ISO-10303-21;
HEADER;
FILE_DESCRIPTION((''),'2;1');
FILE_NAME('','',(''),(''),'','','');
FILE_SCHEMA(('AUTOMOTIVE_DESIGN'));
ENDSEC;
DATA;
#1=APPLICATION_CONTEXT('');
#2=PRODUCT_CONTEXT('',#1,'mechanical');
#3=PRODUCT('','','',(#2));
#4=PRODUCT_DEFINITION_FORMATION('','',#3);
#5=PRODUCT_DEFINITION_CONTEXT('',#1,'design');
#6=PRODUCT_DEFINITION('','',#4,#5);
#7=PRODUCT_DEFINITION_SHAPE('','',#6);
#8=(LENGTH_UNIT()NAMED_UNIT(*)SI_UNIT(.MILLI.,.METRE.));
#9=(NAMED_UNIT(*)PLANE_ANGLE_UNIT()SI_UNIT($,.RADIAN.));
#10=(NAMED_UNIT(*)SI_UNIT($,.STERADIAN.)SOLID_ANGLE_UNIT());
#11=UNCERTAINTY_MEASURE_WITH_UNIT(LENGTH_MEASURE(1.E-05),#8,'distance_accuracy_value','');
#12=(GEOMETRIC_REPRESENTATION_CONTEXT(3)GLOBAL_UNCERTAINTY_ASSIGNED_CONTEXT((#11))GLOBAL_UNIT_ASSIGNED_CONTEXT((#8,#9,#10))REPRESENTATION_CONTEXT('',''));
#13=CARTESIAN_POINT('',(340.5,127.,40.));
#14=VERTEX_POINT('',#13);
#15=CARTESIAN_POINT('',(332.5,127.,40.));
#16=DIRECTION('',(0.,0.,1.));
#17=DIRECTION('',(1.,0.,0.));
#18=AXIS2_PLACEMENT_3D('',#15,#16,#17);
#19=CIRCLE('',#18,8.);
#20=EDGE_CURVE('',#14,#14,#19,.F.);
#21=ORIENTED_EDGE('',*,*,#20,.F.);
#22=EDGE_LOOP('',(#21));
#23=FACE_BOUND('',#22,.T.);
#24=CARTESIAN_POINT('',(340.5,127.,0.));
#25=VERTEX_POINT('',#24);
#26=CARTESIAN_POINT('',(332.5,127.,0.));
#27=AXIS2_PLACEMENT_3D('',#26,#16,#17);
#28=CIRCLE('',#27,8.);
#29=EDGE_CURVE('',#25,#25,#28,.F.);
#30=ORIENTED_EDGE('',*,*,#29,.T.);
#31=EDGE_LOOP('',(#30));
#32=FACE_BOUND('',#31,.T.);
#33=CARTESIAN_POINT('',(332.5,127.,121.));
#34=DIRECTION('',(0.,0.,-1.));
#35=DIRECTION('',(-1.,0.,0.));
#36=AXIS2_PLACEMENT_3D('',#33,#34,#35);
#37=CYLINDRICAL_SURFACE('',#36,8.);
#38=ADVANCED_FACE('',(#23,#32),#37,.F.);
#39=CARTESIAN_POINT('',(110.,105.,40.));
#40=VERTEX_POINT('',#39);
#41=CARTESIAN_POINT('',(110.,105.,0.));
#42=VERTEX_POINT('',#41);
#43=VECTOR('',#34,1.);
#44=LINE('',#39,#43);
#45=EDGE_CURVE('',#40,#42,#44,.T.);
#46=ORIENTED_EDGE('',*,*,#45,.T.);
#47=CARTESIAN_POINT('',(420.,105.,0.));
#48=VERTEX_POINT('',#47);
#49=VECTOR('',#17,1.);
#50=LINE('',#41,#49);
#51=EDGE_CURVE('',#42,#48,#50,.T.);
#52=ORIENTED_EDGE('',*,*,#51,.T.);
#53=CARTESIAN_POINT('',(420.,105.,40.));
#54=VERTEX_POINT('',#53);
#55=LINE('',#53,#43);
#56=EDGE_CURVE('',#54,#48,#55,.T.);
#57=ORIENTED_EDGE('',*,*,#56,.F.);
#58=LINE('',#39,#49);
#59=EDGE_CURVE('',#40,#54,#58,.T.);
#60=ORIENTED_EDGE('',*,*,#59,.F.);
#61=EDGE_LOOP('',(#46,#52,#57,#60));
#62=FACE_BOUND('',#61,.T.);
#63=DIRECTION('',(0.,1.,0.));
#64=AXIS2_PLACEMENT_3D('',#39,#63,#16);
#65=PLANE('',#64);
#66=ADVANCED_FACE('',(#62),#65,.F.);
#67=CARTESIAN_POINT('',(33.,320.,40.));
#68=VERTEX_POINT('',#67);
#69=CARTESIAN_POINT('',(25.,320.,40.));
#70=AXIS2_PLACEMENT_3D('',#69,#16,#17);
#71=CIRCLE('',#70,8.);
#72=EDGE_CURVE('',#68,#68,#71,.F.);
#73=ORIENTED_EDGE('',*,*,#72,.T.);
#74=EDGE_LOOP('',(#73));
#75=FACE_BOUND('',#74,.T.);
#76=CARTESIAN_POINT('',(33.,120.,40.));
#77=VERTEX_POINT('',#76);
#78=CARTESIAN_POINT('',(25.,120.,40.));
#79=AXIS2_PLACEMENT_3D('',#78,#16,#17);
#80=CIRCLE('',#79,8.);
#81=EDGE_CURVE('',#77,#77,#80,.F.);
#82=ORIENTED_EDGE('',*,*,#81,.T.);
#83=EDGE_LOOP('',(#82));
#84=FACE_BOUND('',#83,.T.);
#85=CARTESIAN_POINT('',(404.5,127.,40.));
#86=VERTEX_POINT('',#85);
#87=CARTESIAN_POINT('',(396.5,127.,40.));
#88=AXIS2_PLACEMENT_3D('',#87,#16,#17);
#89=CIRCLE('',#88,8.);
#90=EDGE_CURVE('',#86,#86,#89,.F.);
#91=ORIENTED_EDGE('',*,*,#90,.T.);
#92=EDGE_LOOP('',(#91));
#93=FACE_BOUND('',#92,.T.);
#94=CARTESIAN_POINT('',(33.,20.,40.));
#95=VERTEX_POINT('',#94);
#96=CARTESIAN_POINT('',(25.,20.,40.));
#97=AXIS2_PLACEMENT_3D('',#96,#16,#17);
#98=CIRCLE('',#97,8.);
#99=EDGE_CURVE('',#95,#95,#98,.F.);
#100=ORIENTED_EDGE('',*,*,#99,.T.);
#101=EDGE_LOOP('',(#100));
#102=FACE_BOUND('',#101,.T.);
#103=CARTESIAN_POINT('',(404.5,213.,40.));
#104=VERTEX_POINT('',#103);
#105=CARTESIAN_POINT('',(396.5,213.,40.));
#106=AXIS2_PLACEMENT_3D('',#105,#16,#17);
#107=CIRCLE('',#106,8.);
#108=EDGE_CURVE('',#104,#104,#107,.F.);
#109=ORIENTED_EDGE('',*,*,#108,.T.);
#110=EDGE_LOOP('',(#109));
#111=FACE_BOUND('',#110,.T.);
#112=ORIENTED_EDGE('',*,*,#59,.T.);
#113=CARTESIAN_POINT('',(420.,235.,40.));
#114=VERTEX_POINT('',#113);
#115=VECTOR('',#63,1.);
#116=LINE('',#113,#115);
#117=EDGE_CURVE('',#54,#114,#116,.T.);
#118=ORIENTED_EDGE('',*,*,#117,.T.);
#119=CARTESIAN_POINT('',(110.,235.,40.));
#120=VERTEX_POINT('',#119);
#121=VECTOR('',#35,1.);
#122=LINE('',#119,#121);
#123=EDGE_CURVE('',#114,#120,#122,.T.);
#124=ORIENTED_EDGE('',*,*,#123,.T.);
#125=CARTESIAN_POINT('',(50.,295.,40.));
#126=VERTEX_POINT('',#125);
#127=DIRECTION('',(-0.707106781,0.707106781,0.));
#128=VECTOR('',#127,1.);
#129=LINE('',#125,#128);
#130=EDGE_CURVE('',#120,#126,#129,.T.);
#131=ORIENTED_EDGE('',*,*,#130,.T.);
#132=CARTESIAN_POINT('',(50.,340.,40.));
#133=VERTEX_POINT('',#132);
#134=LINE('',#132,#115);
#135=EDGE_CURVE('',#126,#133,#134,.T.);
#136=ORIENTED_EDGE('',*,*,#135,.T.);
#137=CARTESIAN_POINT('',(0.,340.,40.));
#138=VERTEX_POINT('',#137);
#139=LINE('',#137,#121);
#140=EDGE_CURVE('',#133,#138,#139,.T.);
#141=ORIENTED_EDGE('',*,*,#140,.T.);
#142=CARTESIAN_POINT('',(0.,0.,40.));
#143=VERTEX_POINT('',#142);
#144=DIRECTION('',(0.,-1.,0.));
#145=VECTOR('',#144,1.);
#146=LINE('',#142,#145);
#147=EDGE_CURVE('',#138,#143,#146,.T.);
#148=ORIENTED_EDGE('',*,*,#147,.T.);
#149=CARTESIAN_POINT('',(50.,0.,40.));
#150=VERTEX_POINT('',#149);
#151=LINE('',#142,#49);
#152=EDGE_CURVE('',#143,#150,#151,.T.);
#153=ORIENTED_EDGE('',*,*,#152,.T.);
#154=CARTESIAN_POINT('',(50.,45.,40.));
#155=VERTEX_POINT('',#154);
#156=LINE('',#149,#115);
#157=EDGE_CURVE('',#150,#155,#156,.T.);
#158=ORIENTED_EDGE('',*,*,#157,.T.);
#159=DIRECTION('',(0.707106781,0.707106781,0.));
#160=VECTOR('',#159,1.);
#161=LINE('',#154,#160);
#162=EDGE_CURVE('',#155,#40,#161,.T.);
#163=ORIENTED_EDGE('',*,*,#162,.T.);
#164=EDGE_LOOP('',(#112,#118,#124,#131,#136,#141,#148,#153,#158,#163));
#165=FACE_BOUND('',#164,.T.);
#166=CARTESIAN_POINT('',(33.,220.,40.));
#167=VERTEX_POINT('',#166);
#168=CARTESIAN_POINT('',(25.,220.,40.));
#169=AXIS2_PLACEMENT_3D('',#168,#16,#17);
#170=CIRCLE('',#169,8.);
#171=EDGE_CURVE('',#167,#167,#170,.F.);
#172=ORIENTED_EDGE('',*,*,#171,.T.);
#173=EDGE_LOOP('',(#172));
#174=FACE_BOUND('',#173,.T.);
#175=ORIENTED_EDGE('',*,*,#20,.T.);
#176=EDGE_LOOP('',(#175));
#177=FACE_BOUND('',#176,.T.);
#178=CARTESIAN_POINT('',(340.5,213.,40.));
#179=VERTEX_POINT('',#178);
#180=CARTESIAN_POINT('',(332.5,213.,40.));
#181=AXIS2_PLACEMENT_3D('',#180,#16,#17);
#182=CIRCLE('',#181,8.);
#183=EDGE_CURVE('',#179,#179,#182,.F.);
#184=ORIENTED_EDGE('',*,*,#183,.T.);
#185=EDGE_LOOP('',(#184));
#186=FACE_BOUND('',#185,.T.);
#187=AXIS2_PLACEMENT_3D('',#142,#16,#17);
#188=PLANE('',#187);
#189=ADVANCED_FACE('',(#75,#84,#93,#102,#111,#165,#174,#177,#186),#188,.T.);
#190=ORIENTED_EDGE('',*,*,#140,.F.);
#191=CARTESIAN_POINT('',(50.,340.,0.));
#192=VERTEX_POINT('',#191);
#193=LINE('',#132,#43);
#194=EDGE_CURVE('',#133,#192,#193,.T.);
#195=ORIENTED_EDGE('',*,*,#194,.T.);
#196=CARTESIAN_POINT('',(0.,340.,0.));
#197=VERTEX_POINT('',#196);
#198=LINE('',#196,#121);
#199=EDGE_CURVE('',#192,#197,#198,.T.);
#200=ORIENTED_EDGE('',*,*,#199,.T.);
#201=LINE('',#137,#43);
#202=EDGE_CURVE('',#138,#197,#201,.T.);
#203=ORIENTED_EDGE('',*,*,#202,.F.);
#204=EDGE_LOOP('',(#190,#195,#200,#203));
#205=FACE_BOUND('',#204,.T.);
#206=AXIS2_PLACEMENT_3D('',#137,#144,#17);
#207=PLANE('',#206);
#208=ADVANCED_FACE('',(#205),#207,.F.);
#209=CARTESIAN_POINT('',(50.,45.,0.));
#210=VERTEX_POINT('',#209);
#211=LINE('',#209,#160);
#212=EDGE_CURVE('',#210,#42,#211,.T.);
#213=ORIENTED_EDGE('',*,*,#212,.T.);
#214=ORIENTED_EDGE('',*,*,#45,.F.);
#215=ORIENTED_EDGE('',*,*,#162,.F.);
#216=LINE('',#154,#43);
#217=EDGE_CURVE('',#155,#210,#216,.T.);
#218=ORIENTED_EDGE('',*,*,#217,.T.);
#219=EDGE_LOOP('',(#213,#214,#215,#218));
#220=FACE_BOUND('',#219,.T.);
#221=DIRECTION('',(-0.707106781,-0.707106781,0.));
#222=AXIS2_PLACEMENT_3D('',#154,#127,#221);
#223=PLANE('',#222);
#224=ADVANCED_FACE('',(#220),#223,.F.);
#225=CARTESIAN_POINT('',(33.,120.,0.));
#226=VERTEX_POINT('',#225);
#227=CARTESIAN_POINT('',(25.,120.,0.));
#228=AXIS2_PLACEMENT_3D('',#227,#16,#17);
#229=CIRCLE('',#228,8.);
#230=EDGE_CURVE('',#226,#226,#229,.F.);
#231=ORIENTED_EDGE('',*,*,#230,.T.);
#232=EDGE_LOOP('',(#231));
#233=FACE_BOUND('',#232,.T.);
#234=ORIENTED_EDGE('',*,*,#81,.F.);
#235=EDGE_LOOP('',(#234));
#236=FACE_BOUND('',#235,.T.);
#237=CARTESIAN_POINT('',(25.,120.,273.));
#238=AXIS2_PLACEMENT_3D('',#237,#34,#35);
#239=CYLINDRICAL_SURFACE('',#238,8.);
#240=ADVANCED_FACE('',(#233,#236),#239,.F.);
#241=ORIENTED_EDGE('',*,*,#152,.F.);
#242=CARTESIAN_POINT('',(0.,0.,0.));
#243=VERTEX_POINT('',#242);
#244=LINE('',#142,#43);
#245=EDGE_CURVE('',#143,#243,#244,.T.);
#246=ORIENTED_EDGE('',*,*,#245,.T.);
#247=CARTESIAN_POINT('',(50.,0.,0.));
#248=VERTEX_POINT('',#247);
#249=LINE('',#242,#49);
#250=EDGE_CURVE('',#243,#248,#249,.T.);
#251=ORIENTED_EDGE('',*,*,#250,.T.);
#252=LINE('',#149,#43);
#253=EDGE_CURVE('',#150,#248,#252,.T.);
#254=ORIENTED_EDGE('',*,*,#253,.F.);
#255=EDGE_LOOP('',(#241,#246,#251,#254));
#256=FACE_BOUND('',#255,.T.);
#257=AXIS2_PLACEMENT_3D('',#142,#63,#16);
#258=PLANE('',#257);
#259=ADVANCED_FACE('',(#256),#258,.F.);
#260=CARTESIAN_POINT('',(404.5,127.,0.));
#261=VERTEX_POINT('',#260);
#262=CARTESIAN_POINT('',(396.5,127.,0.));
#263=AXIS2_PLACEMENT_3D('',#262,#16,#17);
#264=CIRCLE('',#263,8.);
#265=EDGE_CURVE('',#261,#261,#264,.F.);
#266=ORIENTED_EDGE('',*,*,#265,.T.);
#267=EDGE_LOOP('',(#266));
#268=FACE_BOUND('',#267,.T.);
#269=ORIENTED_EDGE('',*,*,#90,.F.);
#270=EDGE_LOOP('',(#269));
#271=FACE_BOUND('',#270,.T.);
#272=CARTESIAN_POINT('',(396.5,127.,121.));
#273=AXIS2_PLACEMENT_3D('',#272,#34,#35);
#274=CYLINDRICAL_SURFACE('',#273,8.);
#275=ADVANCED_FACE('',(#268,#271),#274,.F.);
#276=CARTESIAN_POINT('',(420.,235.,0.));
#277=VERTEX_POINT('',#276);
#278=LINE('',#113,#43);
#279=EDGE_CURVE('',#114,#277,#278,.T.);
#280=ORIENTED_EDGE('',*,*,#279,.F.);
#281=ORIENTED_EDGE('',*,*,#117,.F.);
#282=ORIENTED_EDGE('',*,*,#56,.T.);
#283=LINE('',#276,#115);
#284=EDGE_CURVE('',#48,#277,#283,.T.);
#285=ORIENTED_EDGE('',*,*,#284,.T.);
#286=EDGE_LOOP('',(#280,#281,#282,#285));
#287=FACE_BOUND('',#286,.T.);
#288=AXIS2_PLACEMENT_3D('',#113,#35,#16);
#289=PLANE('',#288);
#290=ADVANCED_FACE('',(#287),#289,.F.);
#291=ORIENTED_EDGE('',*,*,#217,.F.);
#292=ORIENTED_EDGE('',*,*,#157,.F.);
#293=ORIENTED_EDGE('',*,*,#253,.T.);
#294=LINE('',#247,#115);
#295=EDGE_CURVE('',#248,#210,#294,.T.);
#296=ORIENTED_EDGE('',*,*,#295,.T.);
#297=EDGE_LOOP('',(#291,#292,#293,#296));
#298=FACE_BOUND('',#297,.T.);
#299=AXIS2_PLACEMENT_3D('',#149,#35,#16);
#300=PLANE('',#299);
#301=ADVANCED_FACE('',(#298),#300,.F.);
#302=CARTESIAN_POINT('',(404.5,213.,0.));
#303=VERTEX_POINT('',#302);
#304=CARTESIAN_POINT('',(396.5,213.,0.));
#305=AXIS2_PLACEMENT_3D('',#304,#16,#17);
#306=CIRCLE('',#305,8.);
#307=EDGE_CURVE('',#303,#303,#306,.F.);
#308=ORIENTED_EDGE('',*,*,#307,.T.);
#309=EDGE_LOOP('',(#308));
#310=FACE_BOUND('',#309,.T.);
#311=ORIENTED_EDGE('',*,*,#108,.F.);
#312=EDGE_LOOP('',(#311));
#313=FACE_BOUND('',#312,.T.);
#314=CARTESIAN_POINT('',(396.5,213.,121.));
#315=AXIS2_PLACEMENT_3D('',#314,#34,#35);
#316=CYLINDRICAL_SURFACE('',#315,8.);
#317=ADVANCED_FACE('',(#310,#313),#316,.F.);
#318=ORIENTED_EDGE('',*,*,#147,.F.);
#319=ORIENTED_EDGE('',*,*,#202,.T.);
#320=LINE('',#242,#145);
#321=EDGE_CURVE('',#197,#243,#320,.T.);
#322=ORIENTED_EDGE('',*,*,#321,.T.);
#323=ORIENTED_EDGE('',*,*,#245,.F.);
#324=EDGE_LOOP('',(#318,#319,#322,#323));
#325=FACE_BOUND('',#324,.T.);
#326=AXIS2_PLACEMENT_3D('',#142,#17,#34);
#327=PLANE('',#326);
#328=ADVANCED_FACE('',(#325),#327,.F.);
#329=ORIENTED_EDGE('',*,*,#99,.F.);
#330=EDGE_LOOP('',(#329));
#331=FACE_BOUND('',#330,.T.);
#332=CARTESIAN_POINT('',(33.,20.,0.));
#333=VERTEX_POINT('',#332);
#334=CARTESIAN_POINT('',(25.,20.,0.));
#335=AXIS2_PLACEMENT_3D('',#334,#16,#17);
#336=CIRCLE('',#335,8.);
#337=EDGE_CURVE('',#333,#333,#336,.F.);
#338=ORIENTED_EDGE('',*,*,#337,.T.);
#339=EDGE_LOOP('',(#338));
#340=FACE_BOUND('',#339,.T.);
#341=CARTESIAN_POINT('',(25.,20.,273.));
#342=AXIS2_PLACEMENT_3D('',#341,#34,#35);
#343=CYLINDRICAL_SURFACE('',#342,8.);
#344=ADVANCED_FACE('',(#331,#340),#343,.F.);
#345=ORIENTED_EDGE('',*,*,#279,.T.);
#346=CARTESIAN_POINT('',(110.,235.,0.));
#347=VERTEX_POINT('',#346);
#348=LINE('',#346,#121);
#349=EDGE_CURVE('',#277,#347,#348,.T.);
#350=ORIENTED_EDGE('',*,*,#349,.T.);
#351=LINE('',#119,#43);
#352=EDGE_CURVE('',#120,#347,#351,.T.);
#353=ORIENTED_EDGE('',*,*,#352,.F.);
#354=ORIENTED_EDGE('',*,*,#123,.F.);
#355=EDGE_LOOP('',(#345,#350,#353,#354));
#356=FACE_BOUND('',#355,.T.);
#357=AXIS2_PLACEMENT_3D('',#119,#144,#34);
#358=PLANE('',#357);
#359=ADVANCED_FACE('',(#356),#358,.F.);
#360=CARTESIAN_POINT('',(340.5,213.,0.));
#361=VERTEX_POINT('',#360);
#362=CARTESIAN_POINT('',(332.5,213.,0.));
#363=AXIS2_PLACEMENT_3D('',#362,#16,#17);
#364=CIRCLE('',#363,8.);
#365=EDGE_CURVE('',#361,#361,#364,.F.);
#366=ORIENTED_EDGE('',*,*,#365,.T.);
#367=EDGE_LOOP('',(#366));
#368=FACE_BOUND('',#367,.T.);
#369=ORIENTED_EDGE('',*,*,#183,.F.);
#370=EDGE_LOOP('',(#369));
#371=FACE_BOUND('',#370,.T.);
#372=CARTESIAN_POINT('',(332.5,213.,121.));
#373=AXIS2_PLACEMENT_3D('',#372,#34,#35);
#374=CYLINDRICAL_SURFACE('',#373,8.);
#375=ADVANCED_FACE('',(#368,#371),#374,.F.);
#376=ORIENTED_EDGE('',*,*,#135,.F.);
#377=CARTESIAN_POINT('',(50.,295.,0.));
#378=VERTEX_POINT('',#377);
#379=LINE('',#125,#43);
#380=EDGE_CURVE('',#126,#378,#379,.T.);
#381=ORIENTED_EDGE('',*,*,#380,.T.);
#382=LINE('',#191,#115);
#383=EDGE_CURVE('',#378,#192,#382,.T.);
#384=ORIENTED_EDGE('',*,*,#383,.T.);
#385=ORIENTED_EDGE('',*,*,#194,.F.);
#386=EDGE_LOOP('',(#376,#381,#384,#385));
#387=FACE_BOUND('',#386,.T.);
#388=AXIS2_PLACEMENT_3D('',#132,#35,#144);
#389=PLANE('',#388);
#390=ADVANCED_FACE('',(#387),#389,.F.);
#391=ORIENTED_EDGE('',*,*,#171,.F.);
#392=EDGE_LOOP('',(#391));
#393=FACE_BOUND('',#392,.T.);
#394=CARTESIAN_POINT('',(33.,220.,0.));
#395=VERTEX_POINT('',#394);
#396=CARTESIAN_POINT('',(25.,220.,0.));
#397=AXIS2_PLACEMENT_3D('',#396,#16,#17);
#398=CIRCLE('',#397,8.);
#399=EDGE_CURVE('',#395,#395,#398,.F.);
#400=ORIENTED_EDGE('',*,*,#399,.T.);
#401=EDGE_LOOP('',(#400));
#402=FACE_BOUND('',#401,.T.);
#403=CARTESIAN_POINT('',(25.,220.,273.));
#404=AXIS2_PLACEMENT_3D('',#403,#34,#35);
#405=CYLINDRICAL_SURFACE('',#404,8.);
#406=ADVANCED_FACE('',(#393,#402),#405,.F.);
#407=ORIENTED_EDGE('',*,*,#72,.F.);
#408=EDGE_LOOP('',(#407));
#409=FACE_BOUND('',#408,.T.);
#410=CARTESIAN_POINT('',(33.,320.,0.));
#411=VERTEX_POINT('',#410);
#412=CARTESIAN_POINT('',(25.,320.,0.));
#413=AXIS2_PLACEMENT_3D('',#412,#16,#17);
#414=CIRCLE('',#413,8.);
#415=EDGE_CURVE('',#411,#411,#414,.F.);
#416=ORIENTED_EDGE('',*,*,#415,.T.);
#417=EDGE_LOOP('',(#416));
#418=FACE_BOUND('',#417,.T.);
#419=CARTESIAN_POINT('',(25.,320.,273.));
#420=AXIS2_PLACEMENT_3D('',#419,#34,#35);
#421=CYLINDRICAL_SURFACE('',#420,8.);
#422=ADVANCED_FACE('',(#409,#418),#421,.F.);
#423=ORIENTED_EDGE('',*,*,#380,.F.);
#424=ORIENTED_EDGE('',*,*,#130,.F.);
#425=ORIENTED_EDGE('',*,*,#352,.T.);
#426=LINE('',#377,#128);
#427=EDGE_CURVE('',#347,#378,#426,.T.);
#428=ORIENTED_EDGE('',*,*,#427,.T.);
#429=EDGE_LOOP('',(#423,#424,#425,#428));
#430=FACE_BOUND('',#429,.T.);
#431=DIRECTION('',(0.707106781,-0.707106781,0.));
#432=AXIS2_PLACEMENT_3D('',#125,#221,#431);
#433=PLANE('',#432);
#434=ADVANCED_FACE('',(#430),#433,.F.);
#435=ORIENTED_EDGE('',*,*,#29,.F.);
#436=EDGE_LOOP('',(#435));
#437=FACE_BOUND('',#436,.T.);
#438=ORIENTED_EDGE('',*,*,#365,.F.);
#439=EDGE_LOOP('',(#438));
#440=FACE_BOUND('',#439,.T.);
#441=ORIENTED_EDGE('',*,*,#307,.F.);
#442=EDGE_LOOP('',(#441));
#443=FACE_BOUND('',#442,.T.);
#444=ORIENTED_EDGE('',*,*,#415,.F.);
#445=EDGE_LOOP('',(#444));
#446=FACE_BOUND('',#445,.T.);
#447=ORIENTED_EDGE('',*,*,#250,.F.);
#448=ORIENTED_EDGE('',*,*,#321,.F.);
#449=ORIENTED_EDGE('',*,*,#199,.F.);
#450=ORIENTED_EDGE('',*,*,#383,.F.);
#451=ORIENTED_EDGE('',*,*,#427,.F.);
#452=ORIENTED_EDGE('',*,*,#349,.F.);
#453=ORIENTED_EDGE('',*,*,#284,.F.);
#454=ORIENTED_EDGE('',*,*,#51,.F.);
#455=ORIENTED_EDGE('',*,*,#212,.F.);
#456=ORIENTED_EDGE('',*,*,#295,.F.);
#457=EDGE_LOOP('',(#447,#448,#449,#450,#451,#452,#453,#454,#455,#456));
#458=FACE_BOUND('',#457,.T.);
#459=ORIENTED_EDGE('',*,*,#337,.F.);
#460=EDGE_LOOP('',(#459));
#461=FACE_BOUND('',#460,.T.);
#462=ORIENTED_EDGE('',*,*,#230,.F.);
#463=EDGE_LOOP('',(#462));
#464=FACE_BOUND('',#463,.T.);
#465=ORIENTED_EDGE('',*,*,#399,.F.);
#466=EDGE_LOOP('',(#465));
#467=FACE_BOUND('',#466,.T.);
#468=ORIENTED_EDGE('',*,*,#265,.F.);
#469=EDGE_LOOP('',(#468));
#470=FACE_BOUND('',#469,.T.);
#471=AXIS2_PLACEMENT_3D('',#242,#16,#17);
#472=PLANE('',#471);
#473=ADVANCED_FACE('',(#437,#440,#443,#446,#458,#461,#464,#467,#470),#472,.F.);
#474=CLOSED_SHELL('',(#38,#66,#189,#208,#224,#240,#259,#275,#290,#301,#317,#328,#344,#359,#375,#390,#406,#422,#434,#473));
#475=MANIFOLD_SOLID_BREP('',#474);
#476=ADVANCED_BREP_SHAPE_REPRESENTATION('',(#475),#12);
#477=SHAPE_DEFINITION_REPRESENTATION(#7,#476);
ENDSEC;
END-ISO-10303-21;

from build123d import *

# Parameters (mm, degrees)
BOSS_EXTRUDE1_DEPTH     = 40
SKETCH3_R               = 8
CUT_EXTRUDE1_DEPTH      = 233
CUT_EXTRUDE1_DEPTH_BACK = 172
SKETCH4_R               = 8
CUT_EXTRUDE2_DEPTH      = 81
CUT_EXTRUDE2_DEPTH_BACK = 192


with BuildPart() as part:
    # Sketch2 → Boss-Extrude1 (new body)
    with BuildSketch(Plane.XY):
        Polygon((0, 0), (0, 340), (50, 340), (50, 295), (110, 235), (420, 235), (420, 105), (110, 105), (50, 45), (50, 0), align=None)
    extrude(amount=BOSS_EXTRUDE1_DEPTH)

    # Sketch3 → Cut-Extrude1 (cut, two sides)
    with BuildSketch(Plane.XY.offset(40)) as cut_extrude1_sk:
        with Locations((25, 320)):
            Circle(SKETCH3_R)
        with Locations((25, 220)):
            Circle(SKETCH3_R)
        with Locations((25, 120)):
            Circle(SKETCH3_R)
        with Locations((25, 20)):
            Circle(SKETCH3_R)
    extrude(amount=CUT_EXTRUDE1_DEPTH, mode=Mode.SUBTRACT)
    extrude(cut_extrude1_sk.sketch, amount=-CUT_EXTRUDE1_DEPTH_BACK, mode=Mode.SUBTRACT)

    # Sketch4 → Cut-Extrude2 (cut, two sides)
    with BuildSketch(Plane.XY.offset(40)) as cut_extrude2_sk:
        with Locations((396.5, 213)):
            Circle(SKETCH4_R)
        with Locations((332.5, 213)):
            Circle(SKETCH4_R)
        with Locations((332.5, 127)):
            Circle(SKETCH4_R)
        with Locations((396.5, 127)):
            Circle(SKETCH4_R)
    extrude(amount=CUT_EXTRUDE2_DEPTH, mode=Mode.SUBTRACT)
    extrude(cut_extrude2_sk.sketch, amount=-CUT_EXTRUDE2_DEPTH_BACK, mode=Mode.SUBTRACT)


solid = part.part
